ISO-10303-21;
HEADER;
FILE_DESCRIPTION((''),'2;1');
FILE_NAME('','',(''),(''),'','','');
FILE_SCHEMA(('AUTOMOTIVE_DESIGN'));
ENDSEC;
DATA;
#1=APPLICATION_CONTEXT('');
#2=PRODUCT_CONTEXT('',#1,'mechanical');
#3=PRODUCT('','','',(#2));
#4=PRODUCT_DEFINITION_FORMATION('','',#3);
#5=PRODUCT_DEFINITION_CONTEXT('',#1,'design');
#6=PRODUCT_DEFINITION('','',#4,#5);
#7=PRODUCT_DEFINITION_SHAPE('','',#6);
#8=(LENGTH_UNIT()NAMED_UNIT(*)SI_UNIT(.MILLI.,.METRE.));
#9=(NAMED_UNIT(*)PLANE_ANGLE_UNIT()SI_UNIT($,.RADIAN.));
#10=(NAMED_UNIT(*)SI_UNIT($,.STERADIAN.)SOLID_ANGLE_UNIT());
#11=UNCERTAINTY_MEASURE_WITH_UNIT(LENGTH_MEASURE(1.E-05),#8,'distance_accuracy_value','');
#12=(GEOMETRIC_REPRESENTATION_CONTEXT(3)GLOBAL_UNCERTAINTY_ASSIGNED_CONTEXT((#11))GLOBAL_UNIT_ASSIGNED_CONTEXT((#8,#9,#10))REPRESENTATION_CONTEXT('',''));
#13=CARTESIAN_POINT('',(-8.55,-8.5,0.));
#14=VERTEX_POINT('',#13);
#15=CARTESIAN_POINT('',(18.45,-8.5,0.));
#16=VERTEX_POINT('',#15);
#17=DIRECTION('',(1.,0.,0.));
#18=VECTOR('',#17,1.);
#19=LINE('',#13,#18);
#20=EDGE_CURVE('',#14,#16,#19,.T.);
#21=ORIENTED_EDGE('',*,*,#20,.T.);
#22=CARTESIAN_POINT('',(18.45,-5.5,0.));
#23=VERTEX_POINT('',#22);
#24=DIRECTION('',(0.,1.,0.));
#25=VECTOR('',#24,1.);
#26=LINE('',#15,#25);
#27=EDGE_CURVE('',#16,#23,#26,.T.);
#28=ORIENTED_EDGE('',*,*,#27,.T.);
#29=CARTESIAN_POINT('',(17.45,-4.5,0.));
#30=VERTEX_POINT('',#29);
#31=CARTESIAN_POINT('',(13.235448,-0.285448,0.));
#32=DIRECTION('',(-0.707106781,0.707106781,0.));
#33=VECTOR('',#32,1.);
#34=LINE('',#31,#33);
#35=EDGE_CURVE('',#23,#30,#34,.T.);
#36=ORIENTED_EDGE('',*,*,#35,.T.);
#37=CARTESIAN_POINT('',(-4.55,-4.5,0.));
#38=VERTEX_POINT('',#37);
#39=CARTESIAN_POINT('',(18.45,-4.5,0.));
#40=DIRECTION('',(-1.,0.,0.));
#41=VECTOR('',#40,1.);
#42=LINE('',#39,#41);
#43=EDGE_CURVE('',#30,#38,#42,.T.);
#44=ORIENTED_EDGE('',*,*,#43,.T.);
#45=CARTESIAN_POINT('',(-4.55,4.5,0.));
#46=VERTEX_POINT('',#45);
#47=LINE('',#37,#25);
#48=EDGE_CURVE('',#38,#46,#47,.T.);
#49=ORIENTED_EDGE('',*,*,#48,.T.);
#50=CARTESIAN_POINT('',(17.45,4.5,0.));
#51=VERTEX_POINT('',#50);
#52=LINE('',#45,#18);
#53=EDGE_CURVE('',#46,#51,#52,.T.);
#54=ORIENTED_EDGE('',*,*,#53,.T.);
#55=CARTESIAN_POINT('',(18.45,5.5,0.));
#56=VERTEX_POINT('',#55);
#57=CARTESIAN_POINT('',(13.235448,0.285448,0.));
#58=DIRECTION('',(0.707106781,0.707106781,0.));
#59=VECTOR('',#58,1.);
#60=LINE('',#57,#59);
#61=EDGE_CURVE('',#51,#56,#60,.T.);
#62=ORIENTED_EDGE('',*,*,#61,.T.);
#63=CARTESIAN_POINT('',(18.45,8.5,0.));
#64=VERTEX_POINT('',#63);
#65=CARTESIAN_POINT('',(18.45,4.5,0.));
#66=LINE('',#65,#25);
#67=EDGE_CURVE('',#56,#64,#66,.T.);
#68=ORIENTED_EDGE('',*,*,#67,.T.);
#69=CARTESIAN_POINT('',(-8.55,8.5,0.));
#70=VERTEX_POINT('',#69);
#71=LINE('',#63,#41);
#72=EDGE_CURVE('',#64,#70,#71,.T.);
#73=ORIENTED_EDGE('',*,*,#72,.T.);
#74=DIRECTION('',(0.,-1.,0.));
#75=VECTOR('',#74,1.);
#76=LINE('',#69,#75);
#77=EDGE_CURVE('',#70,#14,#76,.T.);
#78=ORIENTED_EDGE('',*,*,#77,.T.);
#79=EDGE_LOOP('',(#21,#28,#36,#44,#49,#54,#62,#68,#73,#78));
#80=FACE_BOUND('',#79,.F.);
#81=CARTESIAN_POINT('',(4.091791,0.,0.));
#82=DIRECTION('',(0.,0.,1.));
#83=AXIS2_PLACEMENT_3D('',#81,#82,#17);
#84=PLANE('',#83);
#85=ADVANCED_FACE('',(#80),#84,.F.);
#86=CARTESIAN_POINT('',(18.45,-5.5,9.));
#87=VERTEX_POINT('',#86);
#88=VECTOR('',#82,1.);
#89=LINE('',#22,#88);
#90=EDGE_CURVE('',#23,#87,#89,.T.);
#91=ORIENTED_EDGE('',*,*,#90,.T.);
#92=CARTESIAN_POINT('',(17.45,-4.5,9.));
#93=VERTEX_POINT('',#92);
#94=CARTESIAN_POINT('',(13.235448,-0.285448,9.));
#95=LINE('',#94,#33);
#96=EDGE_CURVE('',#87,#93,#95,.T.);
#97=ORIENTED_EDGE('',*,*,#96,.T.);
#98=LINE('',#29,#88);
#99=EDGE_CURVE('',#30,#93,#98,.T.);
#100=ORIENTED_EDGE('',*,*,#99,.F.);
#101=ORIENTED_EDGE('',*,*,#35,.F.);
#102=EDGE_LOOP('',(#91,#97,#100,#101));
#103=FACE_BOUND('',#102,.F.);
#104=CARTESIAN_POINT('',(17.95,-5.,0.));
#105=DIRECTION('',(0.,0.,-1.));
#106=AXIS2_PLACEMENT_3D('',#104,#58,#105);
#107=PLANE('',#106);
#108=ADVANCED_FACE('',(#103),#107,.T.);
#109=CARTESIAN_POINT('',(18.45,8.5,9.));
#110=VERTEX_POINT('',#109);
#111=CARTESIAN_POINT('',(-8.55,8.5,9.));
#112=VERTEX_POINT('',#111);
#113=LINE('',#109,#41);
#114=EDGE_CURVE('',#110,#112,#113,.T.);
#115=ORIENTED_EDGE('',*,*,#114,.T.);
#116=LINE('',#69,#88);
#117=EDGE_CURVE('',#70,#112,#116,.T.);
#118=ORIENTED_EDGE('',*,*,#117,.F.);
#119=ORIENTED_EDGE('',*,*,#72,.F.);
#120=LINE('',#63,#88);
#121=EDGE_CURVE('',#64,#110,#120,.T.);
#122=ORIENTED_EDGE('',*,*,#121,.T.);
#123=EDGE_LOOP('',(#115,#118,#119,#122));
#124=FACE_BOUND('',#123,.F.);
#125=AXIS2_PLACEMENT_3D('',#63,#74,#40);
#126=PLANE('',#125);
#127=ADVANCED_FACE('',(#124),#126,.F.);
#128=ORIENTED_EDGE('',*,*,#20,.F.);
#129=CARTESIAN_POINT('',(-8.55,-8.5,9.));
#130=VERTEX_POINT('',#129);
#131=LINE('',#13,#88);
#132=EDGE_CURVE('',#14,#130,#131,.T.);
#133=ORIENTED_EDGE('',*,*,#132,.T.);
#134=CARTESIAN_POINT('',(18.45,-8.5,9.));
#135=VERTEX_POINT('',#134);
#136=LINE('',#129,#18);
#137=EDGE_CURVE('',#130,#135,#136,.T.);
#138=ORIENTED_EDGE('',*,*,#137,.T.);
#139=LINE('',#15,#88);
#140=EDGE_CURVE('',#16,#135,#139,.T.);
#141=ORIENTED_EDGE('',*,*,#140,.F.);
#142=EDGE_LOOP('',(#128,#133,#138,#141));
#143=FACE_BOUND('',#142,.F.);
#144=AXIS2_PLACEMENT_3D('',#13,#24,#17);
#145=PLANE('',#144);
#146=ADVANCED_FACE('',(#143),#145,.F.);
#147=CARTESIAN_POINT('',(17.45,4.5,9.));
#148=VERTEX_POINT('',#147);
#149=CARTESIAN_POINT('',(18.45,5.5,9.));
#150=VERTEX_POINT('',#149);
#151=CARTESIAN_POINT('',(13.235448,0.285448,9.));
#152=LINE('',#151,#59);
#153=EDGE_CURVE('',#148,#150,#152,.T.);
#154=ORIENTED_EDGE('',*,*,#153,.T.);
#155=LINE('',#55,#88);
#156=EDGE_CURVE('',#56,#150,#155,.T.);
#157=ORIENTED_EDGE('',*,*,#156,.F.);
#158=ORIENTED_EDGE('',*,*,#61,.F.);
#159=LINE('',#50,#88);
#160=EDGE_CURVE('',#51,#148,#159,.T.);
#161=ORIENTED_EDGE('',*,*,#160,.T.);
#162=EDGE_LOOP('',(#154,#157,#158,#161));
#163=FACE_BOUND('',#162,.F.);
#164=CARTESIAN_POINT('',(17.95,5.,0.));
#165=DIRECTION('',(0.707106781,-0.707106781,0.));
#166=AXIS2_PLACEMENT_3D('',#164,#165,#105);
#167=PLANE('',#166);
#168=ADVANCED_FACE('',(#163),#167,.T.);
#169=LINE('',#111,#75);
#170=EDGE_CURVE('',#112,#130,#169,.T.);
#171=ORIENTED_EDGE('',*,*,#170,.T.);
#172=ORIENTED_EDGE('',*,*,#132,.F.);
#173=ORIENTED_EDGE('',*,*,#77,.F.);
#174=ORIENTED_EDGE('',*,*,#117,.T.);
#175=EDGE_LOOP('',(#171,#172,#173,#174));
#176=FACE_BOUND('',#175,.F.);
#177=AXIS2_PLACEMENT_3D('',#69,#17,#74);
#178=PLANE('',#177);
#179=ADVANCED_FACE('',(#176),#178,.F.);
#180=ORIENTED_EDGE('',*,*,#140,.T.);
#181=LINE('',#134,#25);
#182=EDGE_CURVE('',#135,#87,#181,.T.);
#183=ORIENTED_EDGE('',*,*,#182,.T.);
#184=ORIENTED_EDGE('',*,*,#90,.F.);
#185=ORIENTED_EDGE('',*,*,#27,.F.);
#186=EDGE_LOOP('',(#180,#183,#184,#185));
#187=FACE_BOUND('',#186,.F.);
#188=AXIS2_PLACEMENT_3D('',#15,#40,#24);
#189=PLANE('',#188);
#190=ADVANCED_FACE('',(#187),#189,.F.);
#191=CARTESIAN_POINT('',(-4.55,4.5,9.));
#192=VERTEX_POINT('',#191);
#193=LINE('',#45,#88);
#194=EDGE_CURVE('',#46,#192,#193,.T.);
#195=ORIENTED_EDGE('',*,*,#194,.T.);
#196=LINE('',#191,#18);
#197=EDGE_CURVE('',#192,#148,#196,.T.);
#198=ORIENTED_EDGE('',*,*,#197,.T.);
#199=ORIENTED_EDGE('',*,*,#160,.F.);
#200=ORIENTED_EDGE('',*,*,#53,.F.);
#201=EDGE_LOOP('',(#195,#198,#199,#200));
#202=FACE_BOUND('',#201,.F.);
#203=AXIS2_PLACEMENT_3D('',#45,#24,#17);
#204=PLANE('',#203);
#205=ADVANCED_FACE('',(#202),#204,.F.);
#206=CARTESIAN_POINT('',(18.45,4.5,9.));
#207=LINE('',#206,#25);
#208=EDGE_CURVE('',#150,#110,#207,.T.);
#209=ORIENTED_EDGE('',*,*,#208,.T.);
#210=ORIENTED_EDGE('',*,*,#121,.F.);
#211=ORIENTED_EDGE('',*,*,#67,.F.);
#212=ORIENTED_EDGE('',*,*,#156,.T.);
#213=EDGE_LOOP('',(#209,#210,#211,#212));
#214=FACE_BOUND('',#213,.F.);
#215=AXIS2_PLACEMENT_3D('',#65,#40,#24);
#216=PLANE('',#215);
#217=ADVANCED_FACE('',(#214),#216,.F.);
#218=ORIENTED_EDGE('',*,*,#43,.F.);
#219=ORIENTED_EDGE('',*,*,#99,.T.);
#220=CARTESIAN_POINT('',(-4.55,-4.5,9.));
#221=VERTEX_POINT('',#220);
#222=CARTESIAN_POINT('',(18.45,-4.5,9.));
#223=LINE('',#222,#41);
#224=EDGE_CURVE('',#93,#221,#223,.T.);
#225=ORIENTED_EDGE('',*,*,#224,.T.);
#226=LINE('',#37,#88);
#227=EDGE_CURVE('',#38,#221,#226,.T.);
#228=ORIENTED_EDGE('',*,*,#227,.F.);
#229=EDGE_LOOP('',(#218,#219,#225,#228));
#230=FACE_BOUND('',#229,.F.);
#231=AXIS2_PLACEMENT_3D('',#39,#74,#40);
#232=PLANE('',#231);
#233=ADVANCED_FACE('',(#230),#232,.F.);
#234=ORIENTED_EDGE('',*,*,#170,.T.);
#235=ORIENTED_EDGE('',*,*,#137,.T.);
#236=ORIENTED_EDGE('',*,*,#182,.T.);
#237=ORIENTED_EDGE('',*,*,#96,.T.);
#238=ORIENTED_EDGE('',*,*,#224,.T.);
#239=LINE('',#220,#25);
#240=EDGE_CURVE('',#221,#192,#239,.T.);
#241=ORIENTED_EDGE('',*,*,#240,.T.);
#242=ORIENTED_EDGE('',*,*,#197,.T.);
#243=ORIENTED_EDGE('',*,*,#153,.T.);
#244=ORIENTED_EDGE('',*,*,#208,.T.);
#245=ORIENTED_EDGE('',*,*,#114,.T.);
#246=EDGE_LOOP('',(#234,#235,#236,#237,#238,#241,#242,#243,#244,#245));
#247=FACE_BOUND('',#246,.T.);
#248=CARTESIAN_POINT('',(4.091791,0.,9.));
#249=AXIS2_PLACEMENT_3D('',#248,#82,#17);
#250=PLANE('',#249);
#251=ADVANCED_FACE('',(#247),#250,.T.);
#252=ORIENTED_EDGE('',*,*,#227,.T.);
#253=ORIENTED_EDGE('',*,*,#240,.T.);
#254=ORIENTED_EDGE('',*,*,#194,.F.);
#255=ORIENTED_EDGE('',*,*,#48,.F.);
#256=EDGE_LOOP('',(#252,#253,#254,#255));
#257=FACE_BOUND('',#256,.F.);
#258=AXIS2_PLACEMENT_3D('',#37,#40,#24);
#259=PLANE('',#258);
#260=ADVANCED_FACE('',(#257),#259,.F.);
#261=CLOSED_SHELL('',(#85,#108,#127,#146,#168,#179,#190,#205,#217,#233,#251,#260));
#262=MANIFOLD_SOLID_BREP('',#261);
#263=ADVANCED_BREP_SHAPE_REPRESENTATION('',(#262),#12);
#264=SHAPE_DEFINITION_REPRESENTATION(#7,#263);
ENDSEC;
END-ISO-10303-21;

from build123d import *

# Parameters (mm, degrees)
PAD_DEPTH    = 9
CHAMFER_SIZE = 1


with BuildPart() as part:
    # Sketch → Pad (new body)
    with BuildSketch(Plane.XY):
        Polygon((18.45, 8.5), (-8.55, 8.5), (-8.55, -8.5), (18.45, -8.5), (18.45, -4.5), (-4.55, -4.5), (-4.55, 4.5), (18.45, 4.5), align=None)
    extrude(amount=PAD_DEPTH)

    # Chamfer
    chamfer_edges = [part.edges().sort_by_distance(p)[0] for p in [
        (18.45, 4.5, 4.5),
        (18.45, -4.5, 4.5),
    ]]
    chamfer(chamfer_edges, length=CHAMFER_SIZE)


solid = part.part
